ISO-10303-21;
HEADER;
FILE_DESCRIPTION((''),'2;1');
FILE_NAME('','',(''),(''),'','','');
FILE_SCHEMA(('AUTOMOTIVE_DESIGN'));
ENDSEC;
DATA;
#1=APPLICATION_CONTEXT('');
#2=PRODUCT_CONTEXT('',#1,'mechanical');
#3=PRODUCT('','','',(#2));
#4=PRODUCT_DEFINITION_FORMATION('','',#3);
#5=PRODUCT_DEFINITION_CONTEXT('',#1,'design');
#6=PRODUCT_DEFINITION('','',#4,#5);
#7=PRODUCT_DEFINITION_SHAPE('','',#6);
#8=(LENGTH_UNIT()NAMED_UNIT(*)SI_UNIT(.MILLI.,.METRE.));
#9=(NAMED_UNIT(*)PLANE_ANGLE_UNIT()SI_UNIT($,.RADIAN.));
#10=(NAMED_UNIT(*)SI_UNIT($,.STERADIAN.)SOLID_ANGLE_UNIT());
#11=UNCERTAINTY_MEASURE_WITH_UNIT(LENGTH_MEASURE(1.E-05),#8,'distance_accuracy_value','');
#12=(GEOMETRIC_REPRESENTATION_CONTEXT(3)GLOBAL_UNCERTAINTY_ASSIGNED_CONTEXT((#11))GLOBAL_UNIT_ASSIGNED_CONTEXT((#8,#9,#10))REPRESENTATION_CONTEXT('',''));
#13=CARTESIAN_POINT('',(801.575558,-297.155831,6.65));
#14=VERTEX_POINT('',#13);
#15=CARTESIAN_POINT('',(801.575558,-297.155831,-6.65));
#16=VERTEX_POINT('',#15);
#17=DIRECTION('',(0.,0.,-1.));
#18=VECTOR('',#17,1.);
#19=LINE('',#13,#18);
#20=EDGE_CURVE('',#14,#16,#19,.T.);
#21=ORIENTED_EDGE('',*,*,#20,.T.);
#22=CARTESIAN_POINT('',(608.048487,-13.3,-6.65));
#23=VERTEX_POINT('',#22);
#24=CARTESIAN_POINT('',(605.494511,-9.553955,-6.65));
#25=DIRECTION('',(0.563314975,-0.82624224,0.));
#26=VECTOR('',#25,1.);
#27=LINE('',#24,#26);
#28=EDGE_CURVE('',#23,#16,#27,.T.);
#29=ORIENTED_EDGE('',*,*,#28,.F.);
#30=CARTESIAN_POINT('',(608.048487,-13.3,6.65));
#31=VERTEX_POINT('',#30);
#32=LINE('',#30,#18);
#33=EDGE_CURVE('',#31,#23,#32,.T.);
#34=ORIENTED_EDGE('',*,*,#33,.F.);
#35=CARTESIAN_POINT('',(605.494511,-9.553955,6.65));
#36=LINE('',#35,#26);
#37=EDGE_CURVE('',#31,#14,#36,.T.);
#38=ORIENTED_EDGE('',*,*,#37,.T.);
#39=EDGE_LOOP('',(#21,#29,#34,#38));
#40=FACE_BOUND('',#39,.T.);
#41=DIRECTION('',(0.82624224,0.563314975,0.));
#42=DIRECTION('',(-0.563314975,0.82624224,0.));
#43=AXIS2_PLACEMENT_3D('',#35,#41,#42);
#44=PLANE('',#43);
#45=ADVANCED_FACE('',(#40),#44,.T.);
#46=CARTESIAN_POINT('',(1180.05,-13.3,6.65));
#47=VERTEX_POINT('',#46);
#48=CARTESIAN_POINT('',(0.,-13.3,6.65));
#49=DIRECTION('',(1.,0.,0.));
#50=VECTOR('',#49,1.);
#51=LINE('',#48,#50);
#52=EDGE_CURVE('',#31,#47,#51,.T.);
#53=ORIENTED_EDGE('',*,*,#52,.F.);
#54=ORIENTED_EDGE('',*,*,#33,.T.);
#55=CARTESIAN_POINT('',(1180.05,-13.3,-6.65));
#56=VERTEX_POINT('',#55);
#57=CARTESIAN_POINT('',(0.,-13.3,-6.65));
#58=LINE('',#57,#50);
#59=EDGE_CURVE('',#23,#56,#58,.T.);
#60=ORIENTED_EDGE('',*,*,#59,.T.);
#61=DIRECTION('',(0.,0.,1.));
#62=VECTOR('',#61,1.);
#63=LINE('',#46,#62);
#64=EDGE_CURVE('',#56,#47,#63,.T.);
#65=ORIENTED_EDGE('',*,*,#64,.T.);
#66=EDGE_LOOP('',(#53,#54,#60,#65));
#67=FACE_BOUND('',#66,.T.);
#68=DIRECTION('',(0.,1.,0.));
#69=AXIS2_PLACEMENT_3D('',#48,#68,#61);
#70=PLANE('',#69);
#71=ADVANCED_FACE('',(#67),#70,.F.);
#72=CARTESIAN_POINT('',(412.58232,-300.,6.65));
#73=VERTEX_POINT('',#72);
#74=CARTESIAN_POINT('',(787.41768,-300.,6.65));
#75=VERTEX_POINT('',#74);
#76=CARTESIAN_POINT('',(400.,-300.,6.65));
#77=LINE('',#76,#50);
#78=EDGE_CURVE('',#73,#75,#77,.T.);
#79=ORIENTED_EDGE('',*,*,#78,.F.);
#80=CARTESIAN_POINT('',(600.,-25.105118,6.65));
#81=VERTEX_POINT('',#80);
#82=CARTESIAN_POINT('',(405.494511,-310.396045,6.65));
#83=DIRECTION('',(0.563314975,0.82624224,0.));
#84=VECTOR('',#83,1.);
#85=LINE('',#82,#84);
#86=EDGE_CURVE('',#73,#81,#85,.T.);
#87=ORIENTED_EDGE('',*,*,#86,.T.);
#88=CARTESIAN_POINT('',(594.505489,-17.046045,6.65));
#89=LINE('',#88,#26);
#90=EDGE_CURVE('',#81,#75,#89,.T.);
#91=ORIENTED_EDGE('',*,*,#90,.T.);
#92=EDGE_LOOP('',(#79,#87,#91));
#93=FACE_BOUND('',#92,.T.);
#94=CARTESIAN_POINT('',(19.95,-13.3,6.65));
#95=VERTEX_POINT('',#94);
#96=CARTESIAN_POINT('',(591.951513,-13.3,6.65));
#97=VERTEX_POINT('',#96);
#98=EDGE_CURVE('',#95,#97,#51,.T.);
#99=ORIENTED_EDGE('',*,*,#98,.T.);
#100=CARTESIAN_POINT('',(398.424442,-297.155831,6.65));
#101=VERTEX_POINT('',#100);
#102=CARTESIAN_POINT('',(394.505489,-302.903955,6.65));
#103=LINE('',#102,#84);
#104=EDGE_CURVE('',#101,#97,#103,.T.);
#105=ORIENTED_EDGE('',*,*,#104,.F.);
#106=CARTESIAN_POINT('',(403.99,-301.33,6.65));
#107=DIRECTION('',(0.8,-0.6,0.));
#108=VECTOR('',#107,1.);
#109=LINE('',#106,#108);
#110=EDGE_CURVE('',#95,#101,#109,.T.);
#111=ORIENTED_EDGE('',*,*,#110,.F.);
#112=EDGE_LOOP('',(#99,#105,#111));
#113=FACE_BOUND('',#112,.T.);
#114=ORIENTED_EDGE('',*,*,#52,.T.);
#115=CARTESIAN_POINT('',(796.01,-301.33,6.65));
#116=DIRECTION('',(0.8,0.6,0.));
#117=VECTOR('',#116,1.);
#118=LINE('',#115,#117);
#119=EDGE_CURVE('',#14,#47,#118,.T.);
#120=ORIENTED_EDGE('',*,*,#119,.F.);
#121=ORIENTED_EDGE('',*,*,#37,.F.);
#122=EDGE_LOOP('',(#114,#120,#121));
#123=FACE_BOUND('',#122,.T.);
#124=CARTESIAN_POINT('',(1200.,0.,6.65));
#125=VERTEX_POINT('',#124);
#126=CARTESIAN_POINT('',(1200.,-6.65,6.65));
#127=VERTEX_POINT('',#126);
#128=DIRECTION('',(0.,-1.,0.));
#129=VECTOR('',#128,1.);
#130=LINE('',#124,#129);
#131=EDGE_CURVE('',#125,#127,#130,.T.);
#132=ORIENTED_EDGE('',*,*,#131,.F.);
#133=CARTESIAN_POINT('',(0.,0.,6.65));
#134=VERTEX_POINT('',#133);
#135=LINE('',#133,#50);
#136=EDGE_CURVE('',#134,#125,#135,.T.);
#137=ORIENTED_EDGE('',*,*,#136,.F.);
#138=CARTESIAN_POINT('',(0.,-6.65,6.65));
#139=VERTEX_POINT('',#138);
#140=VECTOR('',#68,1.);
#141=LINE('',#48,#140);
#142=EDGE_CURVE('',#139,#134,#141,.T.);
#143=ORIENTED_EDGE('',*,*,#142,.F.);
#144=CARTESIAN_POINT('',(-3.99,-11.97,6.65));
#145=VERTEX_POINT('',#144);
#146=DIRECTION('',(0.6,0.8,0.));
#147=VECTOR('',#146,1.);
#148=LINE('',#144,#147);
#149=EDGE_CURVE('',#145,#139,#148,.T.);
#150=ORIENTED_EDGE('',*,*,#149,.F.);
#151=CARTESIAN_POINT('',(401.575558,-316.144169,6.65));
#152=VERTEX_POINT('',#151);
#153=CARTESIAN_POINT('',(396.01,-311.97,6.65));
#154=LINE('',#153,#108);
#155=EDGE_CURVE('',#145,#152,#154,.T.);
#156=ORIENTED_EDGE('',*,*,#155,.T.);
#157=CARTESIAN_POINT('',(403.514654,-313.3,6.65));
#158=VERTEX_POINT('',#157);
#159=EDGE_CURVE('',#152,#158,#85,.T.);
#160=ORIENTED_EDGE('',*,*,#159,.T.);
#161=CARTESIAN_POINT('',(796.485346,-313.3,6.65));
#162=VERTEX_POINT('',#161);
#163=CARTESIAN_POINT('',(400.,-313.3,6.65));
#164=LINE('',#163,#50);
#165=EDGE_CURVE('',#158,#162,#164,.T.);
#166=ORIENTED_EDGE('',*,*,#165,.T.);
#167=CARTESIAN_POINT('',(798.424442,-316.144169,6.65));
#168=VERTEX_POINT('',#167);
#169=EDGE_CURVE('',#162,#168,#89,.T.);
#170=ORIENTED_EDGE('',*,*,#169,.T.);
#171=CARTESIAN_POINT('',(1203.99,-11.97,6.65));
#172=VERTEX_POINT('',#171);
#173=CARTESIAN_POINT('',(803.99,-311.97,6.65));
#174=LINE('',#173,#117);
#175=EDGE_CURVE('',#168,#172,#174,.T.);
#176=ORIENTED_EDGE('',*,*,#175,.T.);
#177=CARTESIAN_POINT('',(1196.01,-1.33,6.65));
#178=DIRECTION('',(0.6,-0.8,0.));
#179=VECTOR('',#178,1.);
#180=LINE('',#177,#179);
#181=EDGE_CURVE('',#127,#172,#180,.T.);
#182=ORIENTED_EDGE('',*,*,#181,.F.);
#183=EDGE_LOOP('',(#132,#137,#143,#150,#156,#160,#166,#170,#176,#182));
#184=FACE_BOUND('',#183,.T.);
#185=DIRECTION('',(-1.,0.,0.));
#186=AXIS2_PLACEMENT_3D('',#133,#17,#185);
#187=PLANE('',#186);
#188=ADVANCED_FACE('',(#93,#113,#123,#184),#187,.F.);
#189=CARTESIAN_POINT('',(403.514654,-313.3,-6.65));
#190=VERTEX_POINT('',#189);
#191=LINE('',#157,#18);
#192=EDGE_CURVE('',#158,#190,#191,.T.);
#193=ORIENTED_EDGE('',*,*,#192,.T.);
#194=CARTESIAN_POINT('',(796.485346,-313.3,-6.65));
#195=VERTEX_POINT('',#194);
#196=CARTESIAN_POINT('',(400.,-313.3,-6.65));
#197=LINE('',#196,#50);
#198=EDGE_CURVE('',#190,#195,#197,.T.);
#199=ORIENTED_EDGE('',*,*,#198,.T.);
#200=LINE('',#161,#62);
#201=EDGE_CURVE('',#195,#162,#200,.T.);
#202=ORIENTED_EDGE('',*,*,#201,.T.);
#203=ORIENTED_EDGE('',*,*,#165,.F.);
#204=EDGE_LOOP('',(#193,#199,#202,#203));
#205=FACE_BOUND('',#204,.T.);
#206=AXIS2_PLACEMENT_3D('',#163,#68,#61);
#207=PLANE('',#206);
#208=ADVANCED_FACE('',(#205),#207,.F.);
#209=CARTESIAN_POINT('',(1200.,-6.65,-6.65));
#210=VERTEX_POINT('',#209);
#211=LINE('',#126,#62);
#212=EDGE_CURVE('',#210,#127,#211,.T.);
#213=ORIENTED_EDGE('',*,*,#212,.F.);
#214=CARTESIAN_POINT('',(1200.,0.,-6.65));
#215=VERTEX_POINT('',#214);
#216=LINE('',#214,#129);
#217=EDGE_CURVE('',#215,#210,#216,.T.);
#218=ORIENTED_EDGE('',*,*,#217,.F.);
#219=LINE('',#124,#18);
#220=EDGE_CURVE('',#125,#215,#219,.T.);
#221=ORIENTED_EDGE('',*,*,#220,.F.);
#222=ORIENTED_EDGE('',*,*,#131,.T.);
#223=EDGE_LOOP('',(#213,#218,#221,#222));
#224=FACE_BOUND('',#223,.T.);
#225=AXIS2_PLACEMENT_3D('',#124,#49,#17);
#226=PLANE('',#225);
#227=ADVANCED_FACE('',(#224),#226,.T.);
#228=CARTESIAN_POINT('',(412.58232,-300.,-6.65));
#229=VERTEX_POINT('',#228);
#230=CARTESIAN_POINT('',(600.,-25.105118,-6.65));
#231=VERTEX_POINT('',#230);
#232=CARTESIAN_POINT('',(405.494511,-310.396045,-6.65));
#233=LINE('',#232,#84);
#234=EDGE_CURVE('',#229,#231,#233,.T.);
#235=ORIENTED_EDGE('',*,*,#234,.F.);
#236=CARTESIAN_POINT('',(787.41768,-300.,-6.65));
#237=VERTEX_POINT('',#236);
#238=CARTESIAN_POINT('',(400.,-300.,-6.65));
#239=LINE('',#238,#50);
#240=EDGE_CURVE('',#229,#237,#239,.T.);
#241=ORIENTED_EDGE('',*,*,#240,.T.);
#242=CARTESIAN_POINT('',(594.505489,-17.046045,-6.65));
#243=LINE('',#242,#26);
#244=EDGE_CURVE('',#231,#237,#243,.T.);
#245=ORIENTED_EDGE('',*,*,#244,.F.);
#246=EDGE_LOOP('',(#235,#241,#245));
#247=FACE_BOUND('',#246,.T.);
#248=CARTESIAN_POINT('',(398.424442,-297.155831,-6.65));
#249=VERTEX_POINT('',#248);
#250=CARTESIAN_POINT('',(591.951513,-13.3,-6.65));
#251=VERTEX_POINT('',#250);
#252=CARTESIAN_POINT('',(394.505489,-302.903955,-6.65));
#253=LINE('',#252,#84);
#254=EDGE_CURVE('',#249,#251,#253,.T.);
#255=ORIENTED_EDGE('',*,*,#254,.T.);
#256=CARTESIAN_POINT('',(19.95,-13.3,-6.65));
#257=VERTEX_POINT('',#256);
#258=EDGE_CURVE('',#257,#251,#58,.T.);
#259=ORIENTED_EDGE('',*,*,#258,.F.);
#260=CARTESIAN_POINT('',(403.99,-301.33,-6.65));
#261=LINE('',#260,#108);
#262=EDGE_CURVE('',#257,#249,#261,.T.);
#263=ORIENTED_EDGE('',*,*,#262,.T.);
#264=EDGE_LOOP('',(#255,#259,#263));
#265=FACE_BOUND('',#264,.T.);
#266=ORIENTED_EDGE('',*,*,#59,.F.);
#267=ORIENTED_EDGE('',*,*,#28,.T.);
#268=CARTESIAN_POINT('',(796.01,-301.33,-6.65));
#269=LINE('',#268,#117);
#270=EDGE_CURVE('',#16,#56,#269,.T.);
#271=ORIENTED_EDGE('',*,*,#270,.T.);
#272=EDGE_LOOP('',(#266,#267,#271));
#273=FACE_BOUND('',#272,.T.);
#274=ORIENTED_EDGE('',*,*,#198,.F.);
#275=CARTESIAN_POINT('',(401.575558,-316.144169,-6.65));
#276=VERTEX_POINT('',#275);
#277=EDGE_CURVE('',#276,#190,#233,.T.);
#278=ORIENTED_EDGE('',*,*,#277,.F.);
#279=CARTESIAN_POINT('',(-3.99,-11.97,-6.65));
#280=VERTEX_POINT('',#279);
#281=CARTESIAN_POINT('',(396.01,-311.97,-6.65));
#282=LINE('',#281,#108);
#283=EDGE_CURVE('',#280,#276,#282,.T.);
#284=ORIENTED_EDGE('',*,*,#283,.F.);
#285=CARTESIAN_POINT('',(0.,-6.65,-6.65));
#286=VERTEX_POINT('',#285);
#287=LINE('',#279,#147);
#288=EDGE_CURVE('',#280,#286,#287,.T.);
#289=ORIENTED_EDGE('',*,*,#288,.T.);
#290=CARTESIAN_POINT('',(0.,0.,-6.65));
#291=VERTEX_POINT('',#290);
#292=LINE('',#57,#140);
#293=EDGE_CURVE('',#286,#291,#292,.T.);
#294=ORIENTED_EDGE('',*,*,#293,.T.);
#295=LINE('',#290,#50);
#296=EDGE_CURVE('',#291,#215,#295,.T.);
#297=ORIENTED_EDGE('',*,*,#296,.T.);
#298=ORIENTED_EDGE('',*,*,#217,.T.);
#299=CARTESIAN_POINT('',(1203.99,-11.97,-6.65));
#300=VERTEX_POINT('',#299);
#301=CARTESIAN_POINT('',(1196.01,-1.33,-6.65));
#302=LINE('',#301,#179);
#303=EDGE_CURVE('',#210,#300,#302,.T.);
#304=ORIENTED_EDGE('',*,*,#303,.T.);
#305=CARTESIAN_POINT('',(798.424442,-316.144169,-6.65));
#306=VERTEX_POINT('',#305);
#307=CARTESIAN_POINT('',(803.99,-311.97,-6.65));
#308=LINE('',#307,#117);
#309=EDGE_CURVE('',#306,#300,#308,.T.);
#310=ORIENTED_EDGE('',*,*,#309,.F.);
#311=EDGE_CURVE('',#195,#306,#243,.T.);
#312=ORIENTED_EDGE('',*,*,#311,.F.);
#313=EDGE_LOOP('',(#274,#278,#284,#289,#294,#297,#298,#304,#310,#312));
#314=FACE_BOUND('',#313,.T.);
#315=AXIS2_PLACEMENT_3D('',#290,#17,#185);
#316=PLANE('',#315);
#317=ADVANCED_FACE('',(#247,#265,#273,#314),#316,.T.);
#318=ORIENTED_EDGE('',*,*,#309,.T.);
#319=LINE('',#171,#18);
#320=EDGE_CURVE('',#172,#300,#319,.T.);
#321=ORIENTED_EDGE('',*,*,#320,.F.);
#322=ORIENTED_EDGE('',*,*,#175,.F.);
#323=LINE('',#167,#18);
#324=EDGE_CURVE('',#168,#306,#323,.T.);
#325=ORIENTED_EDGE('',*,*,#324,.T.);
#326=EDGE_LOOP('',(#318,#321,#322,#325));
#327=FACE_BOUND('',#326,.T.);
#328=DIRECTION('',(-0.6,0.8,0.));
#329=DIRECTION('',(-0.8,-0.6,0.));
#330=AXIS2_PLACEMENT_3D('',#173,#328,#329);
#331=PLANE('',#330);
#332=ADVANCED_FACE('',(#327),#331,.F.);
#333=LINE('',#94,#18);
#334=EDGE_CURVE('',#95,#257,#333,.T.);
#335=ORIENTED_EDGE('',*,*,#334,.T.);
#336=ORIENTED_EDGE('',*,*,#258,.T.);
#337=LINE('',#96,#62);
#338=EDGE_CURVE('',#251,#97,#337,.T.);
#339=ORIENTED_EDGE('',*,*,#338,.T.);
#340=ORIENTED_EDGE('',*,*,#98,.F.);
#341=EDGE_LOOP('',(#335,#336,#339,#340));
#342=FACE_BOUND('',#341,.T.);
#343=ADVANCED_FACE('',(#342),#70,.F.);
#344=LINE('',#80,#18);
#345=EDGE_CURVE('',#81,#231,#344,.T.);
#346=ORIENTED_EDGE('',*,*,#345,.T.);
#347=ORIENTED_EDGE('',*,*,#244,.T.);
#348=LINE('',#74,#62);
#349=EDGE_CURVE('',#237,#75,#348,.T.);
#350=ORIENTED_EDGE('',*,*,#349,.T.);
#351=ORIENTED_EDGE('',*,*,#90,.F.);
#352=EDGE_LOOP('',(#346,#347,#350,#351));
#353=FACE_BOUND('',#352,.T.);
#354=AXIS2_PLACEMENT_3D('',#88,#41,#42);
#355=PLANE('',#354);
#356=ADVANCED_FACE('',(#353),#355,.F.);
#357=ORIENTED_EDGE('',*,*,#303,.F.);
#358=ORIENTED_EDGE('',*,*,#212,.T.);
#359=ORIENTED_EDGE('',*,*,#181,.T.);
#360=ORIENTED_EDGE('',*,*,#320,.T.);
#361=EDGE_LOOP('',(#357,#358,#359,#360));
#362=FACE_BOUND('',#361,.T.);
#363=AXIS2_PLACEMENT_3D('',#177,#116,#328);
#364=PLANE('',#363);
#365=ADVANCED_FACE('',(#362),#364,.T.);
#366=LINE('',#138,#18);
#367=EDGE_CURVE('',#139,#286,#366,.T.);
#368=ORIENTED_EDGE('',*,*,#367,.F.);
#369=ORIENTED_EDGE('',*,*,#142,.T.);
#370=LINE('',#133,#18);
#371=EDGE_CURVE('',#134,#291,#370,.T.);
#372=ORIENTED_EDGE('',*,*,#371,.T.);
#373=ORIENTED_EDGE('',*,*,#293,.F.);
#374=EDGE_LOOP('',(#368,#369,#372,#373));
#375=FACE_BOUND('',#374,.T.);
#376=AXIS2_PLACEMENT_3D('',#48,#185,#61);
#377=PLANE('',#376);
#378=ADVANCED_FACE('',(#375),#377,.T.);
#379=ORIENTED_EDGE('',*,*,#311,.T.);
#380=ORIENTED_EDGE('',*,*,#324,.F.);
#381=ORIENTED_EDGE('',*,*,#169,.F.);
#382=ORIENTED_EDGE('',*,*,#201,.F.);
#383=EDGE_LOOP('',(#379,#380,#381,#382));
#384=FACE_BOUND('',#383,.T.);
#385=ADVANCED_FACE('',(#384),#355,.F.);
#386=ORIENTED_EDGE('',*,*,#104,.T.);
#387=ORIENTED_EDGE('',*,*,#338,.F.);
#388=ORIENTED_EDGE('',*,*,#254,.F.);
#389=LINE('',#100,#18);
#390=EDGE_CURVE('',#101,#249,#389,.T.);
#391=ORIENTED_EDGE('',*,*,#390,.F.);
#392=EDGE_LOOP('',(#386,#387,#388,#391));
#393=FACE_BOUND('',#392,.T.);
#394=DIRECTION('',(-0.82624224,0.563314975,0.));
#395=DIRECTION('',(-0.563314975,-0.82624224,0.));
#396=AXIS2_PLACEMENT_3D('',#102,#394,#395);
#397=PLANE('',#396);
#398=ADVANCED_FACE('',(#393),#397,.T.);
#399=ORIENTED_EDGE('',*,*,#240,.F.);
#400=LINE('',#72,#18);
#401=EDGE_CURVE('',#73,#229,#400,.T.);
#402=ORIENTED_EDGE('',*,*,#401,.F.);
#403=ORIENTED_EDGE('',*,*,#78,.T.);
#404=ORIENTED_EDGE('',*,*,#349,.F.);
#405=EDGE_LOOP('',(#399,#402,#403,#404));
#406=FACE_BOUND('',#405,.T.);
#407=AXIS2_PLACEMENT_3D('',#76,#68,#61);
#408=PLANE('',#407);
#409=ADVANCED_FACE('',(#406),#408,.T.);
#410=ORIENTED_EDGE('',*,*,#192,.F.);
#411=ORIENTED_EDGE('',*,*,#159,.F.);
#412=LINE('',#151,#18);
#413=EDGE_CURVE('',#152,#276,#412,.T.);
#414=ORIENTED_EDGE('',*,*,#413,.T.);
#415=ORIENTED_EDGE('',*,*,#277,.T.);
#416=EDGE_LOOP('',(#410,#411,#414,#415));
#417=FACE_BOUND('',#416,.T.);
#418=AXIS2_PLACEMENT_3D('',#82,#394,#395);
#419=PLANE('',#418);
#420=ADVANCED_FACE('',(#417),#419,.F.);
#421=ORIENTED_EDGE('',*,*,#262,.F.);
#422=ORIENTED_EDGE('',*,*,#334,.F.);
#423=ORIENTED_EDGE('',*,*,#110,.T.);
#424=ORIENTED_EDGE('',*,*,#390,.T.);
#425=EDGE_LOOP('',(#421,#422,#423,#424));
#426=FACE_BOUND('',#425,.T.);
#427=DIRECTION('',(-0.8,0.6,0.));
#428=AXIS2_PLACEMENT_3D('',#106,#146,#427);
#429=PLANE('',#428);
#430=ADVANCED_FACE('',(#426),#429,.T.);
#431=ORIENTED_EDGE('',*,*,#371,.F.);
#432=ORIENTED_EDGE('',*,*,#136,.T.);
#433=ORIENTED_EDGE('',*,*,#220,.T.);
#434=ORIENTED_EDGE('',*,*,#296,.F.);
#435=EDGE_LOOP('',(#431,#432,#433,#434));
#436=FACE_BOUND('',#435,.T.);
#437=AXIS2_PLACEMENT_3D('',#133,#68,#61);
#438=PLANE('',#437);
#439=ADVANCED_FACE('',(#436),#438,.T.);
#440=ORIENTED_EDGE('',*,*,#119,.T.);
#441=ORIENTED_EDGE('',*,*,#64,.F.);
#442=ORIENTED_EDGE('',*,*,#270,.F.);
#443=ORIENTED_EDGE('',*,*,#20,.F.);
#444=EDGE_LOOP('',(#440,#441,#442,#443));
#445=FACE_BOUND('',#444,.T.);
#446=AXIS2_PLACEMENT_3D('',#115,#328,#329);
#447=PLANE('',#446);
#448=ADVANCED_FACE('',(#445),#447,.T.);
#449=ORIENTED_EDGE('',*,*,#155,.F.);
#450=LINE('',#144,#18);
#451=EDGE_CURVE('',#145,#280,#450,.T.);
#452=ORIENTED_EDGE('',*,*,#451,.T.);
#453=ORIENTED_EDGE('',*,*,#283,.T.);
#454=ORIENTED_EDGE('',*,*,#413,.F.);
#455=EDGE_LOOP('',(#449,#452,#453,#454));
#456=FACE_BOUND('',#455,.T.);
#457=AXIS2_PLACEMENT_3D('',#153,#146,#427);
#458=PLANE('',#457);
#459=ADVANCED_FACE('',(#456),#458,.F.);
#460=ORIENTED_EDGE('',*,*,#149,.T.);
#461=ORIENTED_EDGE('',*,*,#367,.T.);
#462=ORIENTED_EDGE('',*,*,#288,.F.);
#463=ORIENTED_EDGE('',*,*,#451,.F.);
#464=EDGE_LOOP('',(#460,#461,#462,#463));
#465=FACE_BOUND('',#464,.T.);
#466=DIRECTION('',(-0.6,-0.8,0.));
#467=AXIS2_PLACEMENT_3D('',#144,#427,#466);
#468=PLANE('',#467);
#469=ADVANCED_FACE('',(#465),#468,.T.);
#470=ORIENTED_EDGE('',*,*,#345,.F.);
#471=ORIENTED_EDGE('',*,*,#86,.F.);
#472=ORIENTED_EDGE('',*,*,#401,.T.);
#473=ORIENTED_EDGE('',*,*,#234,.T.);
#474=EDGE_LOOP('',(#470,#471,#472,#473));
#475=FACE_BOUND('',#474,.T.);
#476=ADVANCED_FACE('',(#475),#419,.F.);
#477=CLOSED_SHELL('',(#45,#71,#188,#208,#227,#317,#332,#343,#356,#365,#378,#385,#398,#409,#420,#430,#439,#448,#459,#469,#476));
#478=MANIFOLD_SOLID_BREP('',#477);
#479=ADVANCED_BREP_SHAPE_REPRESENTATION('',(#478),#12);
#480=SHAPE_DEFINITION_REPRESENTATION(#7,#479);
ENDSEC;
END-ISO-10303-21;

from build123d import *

# Parameters (mm, degrees)
SKETCH1_W           = 1200
SKETCH1_H           = 13.3
EXTRUDE_THIN1_DEPTH = 6.65
SKETCH2_W           = 400
SKETCH2_H           = 13.3
EXTRUDE_THIN2_DEPTH = 6.65
EXTRUDE_THIN3_DEPTH = 6.65


with BuildPart() as part:
    # Sketch1 → Extrude-Thin1 (new, symmetric)
    with BuildSketch(Plane.XY):
        with Locations((600, -6.65)):
            Rectangle(SKETCH1_W, SKETCH1_H)
    extrude(amount=EXTRUDE_THIN1_DEPTH, both=True)



with BuildPart() as body_2:
    # Sketch2 → Extrude-Thin2 (new, symmetric)
    with BuildSketch(Plane.XY):
        with Locations((600, -306.65)):
            Rectangle(SKETCH2_W, SKETCH2_H)
    extrude(amount=EXTRUDE_THIN2_DEPTH, both=True)


with BuildPart() as part_1:
    add(part.part)

    add(body_2.part)  # Extrude-Thin3 merges body 2
    # Sketch3 → Extrude-Thin3 (add, symmetric)
    with BuildSketch(Plane.XY):
        Polygon((1196.01, -1.33), (801.575558109, -297.155831418), (600, -1.494881561), (398.424441891, -297.155831418), (3.99, -1.33), (-3.99, -11.97), (401.575558109, -316.144168582), (600, -25.105118439), (798.424441891, -316.144168582), (1203.99, -11.97), align=None)
    extrude(amount=EXTRUDE_THIN3_DEPTH, both=True)


solid = part_1.part
